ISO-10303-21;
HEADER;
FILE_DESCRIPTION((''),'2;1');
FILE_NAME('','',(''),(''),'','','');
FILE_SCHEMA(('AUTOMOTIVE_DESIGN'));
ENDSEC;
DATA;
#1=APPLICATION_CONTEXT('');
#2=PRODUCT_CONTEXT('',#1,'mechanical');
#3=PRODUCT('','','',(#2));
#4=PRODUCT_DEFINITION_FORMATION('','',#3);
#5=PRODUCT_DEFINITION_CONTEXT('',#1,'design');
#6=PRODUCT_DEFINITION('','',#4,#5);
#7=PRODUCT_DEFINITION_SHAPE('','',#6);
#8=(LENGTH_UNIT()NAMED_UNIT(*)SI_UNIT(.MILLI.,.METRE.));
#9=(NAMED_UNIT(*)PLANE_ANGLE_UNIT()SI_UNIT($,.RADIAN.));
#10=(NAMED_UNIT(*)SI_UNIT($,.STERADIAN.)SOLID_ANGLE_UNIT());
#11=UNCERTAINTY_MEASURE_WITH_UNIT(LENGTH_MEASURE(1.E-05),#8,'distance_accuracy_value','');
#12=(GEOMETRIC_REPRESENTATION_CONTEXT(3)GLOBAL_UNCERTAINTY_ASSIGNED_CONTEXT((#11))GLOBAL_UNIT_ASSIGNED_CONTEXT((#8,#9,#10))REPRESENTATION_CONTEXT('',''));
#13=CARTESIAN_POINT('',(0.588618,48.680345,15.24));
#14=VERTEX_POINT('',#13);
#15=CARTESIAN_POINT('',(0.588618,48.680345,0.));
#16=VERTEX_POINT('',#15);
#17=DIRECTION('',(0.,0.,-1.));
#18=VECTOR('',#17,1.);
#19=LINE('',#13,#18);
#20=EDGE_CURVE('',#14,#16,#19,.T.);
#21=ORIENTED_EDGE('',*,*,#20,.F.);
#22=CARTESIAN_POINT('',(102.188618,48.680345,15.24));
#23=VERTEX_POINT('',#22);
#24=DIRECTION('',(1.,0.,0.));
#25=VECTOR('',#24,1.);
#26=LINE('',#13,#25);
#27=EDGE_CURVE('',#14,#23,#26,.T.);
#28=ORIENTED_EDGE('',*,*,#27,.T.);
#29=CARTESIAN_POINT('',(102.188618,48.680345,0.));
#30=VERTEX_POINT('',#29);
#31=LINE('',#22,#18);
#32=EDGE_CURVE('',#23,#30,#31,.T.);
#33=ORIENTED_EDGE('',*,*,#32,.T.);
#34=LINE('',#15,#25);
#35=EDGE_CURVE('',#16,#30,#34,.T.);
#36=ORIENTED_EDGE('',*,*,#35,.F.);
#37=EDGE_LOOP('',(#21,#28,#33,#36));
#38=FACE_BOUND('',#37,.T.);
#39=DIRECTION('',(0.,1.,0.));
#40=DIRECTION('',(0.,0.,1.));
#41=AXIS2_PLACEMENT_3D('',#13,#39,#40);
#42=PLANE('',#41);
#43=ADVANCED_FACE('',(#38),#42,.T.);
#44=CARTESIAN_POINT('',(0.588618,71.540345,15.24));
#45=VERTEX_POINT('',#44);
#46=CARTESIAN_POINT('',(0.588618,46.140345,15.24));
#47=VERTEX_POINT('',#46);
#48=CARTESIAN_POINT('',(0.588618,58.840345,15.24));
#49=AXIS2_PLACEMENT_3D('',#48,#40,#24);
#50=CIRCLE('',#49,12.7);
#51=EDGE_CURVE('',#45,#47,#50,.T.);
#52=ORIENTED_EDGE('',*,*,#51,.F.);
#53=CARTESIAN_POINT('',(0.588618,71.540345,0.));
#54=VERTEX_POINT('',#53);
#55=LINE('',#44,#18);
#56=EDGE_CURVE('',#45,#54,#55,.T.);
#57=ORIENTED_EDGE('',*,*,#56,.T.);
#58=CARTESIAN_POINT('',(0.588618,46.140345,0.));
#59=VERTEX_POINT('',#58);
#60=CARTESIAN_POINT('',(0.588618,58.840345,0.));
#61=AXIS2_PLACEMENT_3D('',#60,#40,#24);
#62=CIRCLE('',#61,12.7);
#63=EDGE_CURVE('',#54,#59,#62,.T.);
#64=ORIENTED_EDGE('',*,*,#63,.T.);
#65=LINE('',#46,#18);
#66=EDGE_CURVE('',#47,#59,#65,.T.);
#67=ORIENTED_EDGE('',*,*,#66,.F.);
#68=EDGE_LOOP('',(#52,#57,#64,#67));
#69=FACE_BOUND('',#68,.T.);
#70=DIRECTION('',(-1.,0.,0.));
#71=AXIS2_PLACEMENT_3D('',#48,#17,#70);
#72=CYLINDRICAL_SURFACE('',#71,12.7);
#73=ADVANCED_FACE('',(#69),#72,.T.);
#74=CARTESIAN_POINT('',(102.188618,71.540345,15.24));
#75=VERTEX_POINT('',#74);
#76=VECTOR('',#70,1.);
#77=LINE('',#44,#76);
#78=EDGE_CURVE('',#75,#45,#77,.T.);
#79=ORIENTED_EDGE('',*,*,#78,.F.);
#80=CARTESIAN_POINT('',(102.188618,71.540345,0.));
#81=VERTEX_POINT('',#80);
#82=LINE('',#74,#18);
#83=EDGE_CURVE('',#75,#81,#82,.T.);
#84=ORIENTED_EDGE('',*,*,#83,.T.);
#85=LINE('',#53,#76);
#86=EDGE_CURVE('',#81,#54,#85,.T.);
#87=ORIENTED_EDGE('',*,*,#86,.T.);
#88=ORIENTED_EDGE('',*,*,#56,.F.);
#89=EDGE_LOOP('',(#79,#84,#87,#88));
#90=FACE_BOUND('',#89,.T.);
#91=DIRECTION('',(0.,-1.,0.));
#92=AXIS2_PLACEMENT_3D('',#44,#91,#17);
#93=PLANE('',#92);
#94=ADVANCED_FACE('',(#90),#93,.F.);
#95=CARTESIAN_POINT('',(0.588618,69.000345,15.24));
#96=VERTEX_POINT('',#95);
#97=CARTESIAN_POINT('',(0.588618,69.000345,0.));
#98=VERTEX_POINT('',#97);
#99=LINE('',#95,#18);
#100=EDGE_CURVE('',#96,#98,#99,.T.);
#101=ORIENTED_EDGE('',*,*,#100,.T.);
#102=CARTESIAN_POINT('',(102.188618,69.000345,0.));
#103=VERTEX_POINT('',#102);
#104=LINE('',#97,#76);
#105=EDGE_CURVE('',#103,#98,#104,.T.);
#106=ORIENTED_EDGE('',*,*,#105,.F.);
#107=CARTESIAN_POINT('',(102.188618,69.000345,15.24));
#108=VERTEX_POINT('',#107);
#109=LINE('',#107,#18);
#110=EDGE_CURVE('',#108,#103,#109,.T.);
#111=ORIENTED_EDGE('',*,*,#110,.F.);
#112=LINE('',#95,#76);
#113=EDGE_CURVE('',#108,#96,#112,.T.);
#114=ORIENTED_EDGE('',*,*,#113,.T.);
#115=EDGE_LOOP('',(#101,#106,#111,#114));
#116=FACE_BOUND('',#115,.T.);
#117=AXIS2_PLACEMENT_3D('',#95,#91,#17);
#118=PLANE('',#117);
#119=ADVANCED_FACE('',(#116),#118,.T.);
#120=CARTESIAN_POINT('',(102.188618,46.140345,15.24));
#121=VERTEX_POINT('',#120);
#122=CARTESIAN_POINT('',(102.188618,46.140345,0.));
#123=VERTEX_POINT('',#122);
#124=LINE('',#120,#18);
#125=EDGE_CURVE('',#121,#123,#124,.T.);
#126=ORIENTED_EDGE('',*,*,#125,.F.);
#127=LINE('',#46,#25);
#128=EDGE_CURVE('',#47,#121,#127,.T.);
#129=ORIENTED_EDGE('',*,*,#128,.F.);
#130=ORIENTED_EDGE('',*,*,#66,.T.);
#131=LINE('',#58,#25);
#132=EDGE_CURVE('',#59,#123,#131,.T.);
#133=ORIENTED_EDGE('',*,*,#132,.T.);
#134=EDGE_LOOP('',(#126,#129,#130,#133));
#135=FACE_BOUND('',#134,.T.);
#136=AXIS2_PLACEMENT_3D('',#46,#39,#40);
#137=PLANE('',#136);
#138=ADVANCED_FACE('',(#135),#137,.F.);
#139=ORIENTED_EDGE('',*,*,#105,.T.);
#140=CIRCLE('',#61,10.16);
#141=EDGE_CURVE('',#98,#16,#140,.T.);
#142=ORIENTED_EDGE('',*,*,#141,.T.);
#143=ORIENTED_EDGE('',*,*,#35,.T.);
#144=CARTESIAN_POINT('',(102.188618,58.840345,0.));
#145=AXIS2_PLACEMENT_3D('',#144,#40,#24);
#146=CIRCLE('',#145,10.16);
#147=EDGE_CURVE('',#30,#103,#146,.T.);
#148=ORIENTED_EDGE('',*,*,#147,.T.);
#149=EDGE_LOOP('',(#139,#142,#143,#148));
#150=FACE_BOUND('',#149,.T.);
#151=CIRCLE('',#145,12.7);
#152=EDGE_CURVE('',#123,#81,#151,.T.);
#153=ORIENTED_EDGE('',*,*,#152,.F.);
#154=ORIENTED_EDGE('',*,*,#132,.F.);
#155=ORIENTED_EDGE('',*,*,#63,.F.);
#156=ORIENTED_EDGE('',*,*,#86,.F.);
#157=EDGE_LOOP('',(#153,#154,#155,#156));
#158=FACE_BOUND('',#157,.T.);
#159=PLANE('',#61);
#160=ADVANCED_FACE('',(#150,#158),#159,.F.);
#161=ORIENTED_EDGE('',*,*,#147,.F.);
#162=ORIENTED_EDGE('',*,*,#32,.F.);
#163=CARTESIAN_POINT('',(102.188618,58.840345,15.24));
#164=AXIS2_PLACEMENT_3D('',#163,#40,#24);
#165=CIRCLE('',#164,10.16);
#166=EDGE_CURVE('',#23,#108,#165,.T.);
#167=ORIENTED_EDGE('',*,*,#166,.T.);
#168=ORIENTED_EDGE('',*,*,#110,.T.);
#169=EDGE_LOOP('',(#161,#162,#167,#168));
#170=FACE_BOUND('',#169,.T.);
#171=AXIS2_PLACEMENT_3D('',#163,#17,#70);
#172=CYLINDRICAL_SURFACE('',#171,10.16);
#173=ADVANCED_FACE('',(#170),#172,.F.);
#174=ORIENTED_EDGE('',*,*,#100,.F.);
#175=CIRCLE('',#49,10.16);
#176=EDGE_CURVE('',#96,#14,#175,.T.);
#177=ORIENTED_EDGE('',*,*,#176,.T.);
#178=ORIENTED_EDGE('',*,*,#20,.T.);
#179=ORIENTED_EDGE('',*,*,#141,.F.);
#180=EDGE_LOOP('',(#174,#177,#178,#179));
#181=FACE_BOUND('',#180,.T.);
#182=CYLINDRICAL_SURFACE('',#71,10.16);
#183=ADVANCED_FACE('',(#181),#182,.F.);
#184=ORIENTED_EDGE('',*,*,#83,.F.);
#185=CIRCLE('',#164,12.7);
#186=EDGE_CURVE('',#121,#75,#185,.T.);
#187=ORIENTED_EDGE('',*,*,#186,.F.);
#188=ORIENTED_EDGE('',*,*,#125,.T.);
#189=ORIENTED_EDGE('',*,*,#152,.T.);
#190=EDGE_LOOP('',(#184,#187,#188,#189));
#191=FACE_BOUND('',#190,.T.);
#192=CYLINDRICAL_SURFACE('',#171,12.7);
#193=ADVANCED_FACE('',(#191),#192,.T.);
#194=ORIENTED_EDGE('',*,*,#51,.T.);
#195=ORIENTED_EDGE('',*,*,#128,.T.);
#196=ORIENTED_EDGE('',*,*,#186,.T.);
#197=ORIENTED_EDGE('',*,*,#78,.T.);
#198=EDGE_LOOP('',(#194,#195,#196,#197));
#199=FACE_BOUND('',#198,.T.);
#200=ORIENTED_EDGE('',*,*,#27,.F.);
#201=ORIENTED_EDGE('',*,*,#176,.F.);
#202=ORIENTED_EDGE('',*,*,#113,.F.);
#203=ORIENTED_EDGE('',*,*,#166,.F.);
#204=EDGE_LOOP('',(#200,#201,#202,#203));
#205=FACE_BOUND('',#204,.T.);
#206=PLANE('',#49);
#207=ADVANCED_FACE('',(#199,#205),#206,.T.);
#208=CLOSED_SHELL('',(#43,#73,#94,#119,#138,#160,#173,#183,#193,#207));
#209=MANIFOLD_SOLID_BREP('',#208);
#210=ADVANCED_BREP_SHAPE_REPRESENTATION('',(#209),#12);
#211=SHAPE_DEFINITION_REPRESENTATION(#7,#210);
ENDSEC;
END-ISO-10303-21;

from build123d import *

# Parameters (mm, degrees)
BOSS_EXTRUDE1_DEPTH = 15.24


with BuildPart() as part:
    # Sketch1 → Boss-Extrude1 (new body)
    with BuildSketch(Plane.XY):
        with BuildLine():
            Line((0.588618423, 71.54034483), (102.188618423, 71.54034483))
            ThreePointArc((102.188618423, 71.54034483), (114.888618423, 58.84034483), (102.188618423, 46.14034483))
            Line((102.188618423, 46.14034483), (0.588618423, 46.14034483))
            ThreePointArc((0.588618423, 46.14034483), (-12.111381577, 58.84034483), (0.588618423, 71.54034483))
        make_face()
        with BuildLine():
            Line((0.588618423, 69.00034483), (102.188618423, 69.00034483))
            ThreePointArc((102.188618423, 69.00034483), (112.348618423, 58.84034483), (102.188618423, 48.68034483))
            Line((102.188618423, 48.68034483), (0.588618423, 48.68034483))
            ThreePointArc((0.588618423, 48.68034483), (-9.571381577, 58.84034483), (0.588618423, 69.00034483))
        make_face(mode=Mode.SUBTRACT)
    extrude(amount=BOSS_EXTRUDE1_DEPTH)


solid = part.part
